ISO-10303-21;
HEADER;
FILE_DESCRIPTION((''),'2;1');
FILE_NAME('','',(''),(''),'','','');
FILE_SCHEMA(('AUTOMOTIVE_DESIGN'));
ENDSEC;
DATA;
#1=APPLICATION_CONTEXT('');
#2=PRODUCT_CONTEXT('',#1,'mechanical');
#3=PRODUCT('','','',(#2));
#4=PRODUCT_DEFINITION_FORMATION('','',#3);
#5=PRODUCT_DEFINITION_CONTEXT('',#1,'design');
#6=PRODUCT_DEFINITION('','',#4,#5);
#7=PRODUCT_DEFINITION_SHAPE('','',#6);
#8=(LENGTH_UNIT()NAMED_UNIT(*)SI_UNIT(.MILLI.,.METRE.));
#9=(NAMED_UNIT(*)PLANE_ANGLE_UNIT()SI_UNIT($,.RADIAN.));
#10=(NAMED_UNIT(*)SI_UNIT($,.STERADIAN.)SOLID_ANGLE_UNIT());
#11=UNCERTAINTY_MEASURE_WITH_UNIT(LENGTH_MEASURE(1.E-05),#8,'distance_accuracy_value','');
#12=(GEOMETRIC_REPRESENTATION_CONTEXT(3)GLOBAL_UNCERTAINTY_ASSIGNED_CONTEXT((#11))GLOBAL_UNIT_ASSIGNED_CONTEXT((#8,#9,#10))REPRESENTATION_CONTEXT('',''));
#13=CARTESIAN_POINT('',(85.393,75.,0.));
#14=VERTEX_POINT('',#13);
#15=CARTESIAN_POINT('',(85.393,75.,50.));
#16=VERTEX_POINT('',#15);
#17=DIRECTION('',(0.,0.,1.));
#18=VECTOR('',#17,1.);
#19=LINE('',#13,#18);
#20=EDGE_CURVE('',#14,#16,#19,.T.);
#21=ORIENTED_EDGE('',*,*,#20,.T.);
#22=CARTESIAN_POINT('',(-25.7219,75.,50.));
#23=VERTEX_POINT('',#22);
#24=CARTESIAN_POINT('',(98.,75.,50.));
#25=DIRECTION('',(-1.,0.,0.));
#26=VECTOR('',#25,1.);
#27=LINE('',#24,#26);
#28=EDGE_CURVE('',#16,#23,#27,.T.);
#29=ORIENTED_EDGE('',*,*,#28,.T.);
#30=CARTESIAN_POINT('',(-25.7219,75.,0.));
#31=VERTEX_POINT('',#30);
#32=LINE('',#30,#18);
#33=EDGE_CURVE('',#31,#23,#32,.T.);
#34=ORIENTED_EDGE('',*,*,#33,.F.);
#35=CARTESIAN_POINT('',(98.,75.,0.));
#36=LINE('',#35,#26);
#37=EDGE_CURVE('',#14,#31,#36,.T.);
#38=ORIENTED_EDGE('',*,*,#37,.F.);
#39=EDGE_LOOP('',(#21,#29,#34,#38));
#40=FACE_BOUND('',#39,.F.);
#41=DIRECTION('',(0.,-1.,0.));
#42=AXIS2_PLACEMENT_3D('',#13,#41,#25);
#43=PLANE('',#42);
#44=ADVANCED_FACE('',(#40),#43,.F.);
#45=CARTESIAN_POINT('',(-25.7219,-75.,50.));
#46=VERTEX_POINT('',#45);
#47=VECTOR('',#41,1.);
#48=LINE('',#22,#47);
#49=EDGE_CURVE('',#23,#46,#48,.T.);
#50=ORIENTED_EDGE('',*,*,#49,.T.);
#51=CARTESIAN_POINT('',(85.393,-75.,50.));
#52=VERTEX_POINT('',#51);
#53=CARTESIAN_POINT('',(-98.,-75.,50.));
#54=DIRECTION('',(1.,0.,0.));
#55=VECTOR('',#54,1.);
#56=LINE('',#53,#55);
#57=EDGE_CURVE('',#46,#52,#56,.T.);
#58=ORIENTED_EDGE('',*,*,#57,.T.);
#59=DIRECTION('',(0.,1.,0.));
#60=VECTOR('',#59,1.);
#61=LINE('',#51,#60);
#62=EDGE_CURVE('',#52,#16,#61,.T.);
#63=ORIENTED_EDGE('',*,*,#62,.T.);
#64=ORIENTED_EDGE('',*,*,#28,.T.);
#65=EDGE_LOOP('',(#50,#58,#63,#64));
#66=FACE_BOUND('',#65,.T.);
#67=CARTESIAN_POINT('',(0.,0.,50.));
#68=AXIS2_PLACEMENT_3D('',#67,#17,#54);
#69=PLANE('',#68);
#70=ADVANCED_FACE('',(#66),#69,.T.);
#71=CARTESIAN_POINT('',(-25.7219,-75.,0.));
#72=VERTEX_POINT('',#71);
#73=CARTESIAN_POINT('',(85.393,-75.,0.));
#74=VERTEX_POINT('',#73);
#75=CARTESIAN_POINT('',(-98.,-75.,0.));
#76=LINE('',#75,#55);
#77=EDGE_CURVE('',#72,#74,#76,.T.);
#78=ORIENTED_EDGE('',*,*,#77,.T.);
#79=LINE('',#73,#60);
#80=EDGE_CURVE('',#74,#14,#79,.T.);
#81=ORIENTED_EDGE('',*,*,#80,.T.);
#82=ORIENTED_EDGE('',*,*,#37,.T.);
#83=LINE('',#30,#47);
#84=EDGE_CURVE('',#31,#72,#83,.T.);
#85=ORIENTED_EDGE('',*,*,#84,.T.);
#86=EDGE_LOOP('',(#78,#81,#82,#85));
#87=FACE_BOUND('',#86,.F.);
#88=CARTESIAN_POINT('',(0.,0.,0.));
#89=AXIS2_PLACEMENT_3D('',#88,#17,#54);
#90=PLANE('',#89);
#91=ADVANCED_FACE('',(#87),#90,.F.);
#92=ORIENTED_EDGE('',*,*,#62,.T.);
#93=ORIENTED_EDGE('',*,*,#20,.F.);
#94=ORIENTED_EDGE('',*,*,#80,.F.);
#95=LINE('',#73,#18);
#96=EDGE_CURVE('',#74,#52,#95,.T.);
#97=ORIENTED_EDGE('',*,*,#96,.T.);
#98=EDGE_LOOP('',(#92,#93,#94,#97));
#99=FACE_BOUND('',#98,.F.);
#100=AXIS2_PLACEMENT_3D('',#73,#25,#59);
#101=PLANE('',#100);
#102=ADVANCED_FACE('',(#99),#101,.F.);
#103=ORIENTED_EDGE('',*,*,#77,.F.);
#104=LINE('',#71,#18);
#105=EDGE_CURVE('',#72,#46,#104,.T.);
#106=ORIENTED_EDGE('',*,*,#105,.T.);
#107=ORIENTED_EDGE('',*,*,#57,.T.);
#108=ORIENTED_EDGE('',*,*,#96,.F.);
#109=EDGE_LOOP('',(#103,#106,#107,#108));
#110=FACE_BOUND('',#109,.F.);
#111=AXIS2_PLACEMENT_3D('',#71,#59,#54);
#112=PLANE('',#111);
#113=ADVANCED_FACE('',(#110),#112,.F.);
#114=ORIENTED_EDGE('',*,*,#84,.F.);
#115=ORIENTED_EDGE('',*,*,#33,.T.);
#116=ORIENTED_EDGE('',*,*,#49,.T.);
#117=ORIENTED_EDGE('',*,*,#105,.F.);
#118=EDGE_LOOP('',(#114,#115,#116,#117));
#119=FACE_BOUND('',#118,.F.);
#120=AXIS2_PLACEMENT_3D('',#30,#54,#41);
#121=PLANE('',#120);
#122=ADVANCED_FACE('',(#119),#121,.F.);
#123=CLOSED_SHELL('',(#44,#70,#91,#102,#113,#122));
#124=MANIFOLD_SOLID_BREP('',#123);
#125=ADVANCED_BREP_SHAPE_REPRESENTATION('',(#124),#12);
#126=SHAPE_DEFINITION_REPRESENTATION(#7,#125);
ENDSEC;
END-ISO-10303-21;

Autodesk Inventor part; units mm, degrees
ref_plane "YZ Plane" through (0, 0, 0) normal (1, 0, 0) x (0, 1, 0)
ref_plane "XZ Plane" through (0, 0, 0) normal (0, 1, 0) x (-1, 0, 0)
ref_plane "XY Plane" through (0, 0, 0) normal (0, 0, 1) x (1, 0, 0)
ref_plane "Plano de trabalho1" through (0, 0, 0) normal (0, 0, 1) x (1, 0, 0)
sketch "Esboço1" plane through (0, 0, 0) normal (0, 0, 1) x (1, 0, 0)
  arc A0 (98, -75) -> (100, -73) centre (98, -73) ccw projected
  line L0 (100, -73) -> (100, 73) projected
  arc A1 (100, 73) -> (98, 75) centre (98, 73) ccw projected
  line L1 (98, 75) -> (-98, 75) projected
  arc A2 (-98, 75) -> (-100, 73) centre (-98, 73) ccw projected
  line L2 (-100, 73) -> (-100, -73) projected
  arc A3 (-100, -73) -> (-98, -75) centre (-98, -73) ccw projected
  line L3 (-98, -75) -> (98, -75) projected
  line L4 (-25.7219, -75) -> (85.393, -75)
  line L5 (85.393, -75) -> (85.393, 75)
  line L6 (85.393, 75) -> (-25.7219, 75)
  line L7 (-25.7219, 75) -> (-25.7219, -75)
  point P0 (0, 0)
extrude "Extrusão1" add sketch "Esboço1" along normal blind 50 contours L3 L7 L1 L5
properties part number "Base_isolante"
